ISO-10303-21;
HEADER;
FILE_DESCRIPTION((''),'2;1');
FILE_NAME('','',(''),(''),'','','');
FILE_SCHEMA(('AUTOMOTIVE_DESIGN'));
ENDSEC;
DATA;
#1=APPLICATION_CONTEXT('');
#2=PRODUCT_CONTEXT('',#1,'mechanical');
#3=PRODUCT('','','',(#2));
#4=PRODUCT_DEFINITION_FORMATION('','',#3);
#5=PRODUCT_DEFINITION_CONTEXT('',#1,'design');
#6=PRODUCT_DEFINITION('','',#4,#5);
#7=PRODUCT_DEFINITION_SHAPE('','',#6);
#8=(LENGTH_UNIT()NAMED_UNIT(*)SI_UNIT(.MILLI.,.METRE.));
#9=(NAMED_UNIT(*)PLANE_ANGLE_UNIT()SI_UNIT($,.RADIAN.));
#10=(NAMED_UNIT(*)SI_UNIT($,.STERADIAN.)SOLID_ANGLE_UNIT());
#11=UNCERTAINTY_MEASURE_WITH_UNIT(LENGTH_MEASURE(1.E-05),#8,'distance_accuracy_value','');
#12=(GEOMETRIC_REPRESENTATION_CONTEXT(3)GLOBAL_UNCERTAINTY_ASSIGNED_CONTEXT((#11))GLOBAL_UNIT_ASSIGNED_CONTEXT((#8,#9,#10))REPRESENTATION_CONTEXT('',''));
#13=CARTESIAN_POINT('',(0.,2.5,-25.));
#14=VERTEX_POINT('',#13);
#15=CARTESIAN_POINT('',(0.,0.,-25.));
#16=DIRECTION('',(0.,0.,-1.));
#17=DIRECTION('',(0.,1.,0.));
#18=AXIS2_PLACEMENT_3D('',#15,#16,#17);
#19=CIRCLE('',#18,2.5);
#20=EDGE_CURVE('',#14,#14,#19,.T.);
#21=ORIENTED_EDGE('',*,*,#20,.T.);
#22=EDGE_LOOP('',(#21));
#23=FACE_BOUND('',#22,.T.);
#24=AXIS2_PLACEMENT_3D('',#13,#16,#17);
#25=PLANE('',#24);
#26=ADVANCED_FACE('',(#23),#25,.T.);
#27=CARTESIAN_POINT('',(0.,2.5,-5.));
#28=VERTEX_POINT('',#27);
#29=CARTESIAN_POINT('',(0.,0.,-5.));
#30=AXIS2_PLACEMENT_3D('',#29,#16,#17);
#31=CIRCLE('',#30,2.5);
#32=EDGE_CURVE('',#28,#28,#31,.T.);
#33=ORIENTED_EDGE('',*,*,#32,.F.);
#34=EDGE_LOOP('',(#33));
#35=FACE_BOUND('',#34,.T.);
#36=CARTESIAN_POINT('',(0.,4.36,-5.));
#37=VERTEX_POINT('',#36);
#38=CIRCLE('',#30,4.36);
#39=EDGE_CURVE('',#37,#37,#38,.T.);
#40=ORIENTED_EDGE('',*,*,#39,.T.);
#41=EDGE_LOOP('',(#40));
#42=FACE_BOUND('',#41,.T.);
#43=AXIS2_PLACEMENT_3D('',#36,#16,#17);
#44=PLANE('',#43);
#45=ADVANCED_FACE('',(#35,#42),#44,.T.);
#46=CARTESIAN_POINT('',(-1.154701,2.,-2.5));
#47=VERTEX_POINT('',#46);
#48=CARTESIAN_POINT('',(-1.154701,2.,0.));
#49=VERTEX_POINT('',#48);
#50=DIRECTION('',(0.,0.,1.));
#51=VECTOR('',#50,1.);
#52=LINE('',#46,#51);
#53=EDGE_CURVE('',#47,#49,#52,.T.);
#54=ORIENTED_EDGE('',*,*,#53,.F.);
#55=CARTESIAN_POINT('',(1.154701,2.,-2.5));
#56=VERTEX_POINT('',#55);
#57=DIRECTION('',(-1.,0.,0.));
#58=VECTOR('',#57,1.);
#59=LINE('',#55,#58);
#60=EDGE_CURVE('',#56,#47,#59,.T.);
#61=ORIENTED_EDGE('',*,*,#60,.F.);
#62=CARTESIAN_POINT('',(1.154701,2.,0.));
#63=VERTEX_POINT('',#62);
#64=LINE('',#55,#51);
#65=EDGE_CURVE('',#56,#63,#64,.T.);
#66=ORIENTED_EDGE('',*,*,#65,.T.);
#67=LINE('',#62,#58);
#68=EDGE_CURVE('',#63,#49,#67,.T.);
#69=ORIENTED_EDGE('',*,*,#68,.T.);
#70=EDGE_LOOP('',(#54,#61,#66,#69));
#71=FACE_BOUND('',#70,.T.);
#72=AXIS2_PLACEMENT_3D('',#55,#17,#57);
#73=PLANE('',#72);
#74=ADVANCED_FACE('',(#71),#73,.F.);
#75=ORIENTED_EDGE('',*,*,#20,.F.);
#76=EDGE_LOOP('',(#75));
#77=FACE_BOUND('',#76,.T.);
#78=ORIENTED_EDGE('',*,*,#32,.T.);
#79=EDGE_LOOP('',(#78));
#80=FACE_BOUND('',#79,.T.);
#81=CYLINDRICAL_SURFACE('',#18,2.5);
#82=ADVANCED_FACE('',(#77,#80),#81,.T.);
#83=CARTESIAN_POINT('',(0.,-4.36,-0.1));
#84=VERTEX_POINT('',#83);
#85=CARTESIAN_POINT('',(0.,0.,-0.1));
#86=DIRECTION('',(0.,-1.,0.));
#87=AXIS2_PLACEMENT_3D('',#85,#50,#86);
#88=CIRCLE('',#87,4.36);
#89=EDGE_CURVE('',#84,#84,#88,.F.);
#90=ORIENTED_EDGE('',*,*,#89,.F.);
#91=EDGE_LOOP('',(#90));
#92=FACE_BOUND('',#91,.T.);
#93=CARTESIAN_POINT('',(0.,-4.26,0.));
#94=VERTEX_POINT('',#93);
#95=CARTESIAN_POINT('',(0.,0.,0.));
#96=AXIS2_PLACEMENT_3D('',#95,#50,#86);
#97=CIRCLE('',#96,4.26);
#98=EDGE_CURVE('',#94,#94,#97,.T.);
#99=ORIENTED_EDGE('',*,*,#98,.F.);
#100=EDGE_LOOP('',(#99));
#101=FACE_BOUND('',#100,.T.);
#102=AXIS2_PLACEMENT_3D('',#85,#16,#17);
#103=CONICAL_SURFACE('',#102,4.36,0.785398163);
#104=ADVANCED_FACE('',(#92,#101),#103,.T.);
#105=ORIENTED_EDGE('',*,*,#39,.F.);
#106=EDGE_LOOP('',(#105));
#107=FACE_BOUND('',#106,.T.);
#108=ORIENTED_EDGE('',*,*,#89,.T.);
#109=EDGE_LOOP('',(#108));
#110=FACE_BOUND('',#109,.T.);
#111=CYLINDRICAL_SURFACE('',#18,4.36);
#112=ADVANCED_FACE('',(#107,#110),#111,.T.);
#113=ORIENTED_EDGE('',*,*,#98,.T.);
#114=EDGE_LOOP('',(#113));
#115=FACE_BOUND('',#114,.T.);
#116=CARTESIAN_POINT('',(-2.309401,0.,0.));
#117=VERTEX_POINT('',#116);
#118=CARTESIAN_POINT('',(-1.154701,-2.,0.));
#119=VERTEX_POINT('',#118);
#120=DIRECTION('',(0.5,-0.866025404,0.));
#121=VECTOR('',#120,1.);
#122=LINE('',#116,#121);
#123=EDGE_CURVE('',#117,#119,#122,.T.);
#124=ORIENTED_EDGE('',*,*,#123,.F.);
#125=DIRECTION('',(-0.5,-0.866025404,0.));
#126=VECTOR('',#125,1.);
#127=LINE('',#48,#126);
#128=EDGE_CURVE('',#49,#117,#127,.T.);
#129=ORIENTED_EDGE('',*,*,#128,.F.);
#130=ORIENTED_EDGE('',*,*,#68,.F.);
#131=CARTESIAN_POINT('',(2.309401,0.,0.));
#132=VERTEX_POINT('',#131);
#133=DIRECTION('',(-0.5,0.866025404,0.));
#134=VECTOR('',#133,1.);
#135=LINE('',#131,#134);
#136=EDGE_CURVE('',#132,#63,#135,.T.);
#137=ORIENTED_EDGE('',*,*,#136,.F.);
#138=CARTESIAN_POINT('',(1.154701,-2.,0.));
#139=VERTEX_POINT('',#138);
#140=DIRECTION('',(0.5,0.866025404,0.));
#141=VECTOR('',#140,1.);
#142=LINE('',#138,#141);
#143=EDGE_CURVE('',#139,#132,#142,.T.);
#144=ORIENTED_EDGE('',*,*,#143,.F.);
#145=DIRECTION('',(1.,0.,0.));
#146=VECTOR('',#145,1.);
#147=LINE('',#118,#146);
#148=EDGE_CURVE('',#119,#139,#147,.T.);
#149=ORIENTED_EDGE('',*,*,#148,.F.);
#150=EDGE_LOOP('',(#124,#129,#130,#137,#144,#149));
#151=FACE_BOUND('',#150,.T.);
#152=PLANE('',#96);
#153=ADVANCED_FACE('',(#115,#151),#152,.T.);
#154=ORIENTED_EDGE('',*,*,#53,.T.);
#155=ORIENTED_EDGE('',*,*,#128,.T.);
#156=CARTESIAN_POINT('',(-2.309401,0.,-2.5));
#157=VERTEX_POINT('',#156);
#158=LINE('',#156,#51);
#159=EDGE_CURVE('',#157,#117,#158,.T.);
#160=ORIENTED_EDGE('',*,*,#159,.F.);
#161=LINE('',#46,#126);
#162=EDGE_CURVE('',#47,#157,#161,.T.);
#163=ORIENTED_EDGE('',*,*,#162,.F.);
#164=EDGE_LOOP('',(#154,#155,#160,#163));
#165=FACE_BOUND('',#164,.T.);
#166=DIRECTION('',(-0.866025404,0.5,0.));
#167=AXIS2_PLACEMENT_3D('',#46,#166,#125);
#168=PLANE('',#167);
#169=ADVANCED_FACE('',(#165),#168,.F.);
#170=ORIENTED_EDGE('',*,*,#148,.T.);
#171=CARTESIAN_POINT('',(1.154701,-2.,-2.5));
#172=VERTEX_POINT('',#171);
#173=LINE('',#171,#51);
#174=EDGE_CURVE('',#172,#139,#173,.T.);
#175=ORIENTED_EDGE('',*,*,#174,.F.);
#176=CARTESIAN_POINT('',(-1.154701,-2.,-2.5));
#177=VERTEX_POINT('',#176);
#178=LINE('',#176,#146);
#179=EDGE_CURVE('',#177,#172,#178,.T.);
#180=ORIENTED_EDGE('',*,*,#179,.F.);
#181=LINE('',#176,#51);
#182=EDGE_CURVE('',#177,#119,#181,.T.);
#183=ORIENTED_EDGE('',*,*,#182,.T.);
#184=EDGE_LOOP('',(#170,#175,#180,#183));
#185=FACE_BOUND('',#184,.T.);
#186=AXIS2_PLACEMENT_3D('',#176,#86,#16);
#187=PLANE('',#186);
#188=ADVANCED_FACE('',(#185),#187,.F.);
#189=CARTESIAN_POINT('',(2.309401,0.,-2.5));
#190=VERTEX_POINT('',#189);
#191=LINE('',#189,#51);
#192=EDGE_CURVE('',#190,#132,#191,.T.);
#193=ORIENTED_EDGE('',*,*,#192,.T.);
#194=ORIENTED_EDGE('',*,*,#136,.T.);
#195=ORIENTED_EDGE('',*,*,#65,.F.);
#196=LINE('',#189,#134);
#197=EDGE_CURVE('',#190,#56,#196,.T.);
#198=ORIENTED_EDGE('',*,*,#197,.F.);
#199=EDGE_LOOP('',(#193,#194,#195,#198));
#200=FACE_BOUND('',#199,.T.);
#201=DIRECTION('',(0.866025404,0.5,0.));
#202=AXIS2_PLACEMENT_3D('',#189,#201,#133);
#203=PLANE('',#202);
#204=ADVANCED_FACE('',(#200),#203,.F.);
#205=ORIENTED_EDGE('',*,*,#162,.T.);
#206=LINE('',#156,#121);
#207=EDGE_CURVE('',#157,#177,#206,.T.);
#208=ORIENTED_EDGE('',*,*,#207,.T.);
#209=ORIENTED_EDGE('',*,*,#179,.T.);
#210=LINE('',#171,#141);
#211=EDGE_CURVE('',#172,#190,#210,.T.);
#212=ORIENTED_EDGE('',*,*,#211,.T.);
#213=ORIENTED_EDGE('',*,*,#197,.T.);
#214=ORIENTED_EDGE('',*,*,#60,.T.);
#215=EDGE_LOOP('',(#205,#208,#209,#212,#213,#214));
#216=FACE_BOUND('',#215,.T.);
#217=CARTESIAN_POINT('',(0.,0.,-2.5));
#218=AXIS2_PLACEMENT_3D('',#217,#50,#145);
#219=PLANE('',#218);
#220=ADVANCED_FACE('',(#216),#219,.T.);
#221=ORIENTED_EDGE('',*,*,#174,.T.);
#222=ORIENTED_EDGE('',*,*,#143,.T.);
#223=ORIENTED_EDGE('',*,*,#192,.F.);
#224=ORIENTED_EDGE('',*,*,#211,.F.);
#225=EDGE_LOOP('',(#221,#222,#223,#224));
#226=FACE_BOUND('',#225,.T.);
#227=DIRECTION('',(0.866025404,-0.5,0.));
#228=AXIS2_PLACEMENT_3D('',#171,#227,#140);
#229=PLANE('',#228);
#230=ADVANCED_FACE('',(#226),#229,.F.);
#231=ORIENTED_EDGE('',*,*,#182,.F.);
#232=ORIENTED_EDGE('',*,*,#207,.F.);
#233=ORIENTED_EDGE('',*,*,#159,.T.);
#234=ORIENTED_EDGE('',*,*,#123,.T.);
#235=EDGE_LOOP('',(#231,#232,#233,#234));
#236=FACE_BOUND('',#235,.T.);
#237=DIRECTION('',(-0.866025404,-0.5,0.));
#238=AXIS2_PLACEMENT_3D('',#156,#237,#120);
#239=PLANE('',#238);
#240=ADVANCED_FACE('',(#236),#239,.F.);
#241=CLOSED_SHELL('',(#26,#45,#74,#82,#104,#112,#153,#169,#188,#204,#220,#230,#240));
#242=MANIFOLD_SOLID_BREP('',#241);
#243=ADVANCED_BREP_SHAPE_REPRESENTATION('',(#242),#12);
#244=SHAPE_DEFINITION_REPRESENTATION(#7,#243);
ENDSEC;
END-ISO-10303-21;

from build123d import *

# Parameters (mm, degrees)
CUT_EXTRUDE_1_DEPTH = 2.5
CHAMFER_629_SIZE    = 0.1


with BuildPart() as part:
    # 草图1 → 旋转1 (revolve)
    with BuildSketch(Plane(origin=(0, 0, 0), x_dir=(0, 0, -1), z_dir=(1, 0, 0))):
        Polygon((0, 0), (0, 4.36), (5, 4.36), (5, 2.5), (25, 2.5), (25, 0), align=None)
    revolve(axis=Axis((0, 0, -25), (0, 0, 1)))

    # 草图2 → 切除-拉伸1 (cut)
    with BuildSketch(Plane.XY):
        Polygon((1.154700538, 2), (-1.154700538, 2), (-2.309401077, 0), (-1.154700538, -2), (1.154700538, -2), (2.309401077, 0), align=None)
    extrude(amount=-CUT_EXTRUDE_1_DEPTH, mode=Mode.SUBTRACT)

    # Chamfer 629
    chamfer_629_edges = [part.edges().sort_by_distance(p)[0] for p in [
        (0, -4.36, 0),
    ]]
    chamfer(chamfer_629_edges, length=CHAMFER_629_SIZE)


solid = part.part
